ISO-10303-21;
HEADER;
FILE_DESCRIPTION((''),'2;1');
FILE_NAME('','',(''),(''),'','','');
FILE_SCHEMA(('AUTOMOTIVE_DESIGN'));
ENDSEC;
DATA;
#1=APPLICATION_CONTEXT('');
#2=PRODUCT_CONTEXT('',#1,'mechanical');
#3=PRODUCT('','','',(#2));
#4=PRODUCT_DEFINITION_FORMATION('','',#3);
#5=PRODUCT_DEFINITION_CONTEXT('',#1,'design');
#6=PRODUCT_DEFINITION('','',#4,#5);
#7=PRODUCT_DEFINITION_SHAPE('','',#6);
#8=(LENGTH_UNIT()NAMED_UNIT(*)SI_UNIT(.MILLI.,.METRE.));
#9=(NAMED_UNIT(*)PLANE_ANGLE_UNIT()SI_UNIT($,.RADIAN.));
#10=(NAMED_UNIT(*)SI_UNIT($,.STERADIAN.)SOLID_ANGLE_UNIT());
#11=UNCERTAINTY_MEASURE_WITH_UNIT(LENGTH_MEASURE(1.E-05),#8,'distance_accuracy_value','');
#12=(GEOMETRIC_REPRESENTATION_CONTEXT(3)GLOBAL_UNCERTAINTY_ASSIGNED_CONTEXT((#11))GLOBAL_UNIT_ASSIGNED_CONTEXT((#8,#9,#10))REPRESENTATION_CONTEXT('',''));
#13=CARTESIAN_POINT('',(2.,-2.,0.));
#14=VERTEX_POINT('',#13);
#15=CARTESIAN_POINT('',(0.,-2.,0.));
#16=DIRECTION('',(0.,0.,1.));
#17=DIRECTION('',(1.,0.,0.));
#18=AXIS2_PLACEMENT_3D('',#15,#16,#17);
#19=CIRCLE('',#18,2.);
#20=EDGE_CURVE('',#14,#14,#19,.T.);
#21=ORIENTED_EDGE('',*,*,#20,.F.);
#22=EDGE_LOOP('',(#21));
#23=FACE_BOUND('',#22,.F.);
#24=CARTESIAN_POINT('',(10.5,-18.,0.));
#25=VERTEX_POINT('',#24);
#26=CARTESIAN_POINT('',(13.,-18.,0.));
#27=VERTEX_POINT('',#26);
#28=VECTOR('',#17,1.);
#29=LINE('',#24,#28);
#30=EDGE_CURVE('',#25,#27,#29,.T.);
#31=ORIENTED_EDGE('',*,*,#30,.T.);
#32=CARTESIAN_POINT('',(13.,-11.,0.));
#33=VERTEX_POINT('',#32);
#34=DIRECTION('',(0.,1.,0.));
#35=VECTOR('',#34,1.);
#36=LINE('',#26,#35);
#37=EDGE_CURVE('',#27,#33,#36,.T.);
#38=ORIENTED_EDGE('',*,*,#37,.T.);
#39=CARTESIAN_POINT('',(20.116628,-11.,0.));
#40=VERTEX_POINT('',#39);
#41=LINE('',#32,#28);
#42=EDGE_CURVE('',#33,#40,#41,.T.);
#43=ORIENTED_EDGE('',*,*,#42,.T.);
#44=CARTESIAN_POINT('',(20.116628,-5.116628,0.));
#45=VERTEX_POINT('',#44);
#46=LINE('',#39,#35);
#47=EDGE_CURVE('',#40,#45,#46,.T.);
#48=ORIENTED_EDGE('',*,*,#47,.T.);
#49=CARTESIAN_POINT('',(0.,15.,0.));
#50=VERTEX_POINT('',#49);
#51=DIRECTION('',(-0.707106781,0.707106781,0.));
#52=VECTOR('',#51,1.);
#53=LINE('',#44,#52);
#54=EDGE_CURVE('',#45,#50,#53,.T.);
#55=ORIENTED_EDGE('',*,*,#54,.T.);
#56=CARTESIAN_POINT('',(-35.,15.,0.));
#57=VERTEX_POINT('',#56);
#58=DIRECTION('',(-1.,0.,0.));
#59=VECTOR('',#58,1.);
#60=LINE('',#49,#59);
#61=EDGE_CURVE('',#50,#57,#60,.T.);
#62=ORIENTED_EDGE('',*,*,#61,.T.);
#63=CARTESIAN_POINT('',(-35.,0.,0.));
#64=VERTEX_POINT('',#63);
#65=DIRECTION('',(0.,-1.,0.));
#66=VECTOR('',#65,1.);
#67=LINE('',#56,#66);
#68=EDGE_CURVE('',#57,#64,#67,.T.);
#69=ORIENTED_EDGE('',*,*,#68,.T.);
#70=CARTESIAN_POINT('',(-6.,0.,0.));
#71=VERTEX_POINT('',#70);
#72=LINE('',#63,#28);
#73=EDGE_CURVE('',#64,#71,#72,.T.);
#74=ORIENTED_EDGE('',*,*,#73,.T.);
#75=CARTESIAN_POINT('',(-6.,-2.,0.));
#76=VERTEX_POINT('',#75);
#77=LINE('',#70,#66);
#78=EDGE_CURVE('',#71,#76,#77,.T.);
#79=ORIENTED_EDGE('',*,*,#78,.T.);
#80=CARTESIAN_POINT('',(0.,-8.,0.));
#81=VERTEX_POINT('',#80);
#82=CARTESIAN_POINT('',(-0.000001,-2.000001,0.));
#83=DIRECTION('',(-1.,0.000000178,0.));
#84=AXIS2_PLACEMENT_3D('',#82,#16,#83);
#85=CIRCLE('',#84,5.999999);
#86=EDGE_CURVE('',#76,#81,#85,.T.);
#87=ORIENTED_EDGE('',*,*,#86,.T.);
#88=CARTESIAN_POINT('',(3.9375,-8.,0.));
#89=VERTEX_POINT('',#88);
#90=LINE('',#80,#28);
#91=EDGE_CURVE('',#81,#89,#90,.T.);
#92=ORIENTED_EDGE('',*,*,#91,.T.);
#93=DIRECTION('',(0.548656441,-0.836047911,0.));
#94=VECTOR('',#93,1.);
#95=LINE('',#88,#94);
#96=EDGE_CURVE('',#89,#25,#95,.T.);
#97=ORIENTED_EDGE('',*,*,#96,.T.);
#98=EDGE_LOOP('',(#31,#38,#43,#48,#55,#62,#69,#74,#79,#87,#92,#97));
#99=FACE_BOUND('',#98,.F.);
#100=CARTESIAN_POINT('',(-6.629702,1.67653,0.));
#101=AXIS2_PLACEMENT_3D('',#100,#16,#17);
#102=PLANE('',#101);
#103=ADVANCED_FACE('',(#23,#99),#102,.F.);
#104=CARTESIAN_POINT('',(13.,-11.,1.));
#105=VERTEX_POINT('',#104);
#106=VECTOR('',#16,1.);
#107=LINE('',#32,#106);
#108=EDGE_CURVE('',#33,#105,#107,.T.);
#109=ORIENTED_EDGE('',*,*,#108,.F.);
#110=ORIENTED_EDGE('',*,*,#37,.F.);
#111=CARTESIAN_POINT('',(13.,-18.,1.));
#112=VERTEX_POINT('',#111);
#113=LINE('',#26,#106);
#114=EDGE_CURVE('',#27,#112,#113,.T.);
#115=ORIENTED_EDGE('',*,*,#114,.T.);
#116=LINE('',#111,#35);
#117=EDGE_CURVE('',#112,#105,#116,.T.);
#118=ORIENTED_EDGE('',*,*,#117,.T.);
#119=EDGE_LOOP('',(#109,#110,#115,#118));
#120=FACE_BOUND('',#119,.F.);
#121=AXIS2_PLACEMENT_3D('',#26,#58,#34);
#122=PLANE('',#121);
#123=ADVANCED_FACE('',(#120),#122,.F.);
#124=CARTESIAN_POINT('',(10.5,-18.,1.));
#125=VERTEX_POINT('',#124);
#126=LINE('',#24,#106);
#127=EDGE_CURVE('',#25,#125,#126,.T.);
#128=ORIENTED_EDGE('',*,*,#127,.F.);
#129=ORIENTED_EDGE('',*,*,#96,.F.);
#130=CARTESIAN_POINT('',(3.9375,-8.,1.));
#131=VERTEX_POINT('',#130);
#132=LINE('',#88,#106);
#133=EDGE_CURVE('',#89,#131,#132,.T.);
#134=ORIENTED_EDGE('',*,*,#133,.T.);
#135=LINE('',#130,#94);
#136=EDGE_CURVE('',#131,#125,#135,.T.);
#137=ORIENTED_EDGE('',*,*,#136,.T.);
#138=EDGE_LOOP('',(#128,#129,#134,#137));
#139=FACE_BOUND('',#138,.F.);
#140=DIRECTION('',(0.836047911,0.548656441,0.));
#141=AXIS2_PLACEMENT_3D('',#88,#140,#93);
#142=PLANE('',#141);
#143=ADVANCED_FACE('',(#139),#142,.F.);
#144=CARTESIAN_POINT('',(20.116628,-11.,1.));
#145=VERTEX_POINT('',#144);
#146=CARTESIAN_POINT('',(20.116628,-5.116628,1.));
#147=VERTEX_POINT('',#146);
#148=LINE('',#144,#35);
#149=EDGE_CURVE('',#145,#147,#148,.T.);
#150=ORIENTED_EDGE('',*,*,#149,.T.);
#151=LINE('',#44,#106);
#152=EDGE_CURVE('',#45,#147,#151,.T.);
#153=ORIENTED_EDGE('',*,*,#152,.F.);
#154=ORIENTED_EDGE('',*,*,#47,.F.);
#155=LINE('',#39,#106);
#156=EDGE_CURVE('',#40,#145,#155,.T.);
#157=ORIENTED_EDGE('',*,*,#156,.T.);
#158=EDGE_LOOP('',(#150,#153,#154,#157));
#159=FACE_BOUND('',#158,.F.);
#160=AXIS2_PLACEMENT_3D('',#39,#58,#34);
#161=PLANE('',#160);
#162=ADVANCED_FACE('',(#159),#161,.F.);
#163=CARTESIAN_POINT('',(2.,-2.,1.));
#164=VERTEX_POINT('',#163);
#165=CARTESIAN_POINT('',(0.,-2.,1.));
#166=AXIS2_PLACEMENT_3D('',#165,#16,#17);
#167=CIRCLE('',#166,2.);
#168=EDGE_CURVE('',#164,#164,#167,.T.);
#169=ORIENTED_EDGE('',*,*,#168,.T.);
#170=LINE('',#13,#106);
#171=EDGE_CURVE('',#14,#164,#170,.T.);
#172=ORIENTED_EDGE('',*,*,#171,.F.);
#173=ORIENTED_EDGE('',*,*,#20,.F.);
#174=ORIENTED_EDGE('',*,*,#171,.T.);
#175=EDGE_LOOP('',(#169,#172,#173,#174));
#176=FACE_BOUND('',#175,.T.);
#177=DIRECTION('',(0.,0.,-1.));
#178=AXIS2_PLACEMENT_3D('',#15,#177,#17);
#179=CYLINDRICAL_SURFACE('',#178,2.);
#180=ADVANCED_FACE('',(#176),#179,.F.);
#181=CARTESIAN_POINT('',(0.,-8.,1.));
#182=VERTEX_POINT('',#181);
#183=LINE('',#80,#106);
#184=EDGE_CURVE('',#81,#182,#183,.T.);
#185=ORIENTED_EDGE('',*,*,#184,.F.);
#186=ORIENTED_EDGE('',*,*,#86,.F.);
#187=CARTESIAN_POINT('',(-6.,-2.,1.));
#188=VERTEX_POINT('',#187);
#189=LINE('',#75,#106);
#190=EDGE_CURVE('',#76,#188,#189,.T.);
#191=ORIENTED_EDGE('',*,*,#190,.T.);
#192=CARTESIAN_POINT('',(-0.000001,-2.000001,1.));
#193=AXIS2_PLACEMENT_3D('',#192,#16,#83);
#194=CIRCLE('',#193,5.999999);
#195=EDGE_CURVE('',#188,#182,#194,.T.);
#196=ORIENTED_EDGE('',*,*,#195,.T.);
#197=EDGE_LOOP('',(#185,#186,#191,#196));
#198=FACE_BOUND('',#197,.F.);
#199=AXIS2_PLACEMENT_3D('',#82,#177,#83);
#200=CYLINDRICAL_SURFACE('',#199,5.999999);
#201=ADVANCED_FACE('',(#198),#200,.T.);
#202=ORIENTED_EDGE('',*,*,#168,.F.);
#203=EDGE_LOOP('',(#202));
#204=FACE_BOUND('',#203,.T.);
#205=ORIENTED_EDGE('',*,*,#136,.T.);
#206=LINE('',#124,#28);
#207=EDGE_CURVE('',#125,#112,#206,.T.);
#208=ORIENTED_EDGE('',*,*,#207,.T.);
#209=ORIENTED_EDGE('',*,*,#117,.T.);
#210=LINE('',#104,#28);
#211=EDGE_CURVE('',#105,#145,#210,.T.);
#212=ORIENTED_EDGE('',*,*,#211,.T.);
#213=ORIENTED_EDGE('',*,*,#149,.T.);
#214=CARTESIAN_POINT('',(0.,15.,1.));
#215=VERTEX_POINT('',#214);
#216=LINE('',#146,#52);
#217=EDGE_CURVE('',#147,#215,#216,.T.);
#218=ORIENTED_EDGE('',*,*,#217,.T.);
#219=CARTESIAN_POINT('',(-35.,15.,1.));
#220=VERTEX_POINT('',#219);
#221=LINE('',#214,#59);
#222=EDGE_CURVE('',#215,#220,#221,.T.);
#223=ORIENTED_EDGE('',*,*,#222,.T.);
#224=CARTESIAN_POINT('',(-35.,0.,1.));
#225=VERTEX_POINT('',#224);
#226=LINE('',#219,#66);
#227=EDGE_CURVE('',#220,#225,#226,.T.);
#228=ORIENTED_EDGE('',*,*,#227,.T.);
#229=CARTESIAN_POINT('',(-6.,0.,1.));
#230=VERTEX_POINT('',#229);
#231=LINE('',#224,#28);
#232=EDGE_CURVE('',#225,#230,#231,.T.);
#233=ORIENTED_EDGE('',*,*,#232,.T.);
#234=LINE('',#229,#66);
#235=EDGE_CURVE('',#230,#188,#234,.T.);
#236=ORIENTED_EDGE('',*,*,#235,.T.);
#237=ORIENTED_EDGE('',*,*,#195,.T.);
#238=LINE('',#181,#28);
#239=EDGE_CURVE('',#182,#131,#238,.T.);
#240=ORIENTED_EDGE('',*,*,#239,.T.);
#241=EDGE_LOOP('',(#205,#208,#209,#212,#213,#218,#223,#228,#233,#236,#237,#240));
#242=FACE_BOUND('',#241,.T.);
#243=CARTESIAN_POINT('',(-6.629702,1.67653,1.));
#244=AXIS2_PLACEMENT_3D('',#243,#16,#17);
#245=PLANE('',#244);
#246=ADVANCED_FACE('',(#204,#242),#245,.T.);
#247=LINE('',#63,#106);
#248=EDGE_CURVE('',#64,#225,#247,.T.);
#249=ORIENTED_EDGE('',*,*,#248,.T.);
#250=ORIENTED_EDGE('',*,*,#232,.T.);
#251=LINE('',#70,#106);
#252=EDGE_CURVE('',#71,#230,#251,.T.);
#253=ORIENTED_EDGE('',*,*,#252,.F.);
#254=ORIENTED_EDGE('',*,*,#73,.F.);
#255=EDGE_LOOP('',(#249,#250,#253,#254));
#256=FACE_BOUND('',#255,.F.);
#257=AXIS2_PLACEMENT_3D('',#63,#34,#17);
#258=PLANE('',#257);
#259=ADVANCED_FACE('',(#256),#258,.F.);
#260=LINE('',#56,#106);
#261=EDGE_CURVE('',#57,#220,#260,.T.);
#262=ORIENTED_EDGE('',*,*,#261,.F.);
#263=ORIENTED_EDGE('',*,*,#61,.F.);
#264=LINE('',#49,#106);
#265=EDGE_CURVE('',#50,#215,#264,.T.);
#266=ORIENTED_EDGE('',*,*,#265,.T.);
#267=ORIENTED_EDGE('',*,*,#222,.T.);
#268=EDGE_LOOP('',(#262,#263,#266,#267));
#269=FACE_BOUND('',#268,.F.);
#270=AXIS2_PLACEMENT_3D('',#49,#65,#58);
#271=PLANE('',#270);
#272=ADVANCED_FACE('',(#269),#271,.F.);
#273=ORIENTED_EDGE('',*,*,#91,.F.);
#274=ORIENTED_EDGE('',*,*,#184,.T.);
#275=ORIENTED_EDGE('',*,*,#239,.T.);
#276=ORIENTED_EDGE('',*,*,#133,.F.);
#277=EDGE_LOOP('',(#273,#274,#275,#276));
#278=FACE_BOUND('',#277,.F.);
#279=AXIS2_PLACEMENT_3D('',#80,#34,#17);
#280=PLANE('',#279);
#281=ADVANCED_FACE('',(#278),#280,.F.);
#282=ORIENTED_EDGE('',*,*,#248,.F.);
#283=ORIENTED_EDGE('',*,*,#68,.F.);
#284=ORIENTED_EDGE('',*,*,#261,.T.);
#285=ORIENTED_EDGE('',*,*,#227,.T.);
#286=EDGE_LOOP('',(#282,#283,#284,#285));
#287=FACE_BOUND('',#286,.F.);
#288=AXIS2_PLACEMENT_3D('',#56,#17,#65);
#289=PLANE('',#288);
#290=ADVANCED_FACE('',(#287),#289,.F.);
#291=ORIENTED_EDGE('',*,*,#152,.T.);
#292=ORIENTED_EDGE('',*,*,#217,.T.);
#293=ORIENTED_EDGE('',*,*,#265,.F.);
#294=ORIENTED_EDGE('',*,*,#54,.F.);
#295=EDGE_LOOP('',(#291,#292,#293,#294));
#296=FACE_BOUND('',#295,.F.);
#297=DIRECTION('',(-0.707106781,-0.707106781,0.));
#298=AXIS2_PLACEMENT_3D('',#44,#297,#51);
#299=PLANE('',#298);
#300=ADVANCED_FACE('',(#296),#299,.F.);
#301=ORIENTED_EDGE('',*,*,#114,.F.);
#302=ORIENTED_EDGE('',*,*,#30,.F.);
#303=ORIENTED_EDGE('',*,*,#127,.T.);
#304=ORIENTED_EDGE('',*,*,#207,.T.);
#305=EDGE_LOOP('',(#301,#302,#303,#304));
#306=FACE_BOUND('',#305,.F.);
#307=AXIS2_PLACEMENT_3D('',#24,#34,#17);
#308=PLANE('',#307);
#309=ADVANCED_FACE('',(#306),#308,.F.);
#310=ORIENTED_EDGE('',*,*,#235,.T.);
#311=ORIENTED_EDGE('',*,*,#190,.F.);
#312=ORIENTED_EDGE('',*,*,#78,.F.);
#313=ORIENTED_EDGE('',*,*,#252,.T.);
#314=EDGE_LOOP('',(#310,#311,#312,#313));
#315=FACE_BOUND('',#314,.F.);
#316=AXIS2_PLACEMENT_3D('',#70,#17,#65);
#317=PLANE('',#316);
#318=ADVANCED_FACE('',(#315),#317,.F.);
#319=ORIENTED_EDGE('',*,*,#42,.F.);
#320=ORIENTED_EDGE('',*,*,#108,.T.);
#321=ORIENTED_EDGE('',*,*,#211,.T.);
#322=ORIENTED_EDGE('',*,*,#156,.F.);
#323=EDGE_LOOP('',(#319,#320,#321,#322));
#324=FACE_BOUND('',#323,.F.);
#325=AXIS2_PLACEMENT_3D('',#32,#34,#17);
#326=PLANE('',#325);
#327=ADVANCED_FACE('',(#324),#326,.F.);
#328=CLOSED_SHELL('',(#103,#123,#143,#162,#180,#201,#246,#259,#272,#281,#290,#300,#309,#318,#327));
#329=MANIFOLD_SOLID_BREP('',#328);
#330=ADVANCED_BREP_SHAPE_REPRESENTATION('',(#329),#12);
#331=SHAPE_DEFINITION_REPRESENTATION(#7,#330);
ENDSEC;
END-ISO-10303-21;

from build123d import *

# Parameters (mm, degrees)
F0_R     = 2
F1_DEPTH = 1


with BuildPart() as f1:
    # F0 (on Top) → F1 (new body)
    with BuildSketch(Plane.XY):
        with BuildLine():
            Line((-35, 15), (-35, 0))
            Line((-35, 0), (-6, 0))
            Line((-6, 0), (-6, -2))
            ThreePointArc((-6, -2), (-4.242641, -6.242641), (0, -8))
            Line((0, -8), (3.9375, -8))
            Line((3.9375, -8), (10.5, -18))
            Line((10.5, -18), (13, -18))
            Line((13, -18), (13, -11))
            Line((13, -11), (20.116628, -11))
            Line((20.116628, -11), (20.116628, -5.116628))
            Line((20.116628, -5.116628), (0, 15))
            Line((0, 15), (-35, 15))
        make_face()
        with Locations((0, -2)):
            Circle(F0_R, mode=Mode.SUBTRACT)
    extrude(amount=F1_DEPTH)


solid = f1.part
